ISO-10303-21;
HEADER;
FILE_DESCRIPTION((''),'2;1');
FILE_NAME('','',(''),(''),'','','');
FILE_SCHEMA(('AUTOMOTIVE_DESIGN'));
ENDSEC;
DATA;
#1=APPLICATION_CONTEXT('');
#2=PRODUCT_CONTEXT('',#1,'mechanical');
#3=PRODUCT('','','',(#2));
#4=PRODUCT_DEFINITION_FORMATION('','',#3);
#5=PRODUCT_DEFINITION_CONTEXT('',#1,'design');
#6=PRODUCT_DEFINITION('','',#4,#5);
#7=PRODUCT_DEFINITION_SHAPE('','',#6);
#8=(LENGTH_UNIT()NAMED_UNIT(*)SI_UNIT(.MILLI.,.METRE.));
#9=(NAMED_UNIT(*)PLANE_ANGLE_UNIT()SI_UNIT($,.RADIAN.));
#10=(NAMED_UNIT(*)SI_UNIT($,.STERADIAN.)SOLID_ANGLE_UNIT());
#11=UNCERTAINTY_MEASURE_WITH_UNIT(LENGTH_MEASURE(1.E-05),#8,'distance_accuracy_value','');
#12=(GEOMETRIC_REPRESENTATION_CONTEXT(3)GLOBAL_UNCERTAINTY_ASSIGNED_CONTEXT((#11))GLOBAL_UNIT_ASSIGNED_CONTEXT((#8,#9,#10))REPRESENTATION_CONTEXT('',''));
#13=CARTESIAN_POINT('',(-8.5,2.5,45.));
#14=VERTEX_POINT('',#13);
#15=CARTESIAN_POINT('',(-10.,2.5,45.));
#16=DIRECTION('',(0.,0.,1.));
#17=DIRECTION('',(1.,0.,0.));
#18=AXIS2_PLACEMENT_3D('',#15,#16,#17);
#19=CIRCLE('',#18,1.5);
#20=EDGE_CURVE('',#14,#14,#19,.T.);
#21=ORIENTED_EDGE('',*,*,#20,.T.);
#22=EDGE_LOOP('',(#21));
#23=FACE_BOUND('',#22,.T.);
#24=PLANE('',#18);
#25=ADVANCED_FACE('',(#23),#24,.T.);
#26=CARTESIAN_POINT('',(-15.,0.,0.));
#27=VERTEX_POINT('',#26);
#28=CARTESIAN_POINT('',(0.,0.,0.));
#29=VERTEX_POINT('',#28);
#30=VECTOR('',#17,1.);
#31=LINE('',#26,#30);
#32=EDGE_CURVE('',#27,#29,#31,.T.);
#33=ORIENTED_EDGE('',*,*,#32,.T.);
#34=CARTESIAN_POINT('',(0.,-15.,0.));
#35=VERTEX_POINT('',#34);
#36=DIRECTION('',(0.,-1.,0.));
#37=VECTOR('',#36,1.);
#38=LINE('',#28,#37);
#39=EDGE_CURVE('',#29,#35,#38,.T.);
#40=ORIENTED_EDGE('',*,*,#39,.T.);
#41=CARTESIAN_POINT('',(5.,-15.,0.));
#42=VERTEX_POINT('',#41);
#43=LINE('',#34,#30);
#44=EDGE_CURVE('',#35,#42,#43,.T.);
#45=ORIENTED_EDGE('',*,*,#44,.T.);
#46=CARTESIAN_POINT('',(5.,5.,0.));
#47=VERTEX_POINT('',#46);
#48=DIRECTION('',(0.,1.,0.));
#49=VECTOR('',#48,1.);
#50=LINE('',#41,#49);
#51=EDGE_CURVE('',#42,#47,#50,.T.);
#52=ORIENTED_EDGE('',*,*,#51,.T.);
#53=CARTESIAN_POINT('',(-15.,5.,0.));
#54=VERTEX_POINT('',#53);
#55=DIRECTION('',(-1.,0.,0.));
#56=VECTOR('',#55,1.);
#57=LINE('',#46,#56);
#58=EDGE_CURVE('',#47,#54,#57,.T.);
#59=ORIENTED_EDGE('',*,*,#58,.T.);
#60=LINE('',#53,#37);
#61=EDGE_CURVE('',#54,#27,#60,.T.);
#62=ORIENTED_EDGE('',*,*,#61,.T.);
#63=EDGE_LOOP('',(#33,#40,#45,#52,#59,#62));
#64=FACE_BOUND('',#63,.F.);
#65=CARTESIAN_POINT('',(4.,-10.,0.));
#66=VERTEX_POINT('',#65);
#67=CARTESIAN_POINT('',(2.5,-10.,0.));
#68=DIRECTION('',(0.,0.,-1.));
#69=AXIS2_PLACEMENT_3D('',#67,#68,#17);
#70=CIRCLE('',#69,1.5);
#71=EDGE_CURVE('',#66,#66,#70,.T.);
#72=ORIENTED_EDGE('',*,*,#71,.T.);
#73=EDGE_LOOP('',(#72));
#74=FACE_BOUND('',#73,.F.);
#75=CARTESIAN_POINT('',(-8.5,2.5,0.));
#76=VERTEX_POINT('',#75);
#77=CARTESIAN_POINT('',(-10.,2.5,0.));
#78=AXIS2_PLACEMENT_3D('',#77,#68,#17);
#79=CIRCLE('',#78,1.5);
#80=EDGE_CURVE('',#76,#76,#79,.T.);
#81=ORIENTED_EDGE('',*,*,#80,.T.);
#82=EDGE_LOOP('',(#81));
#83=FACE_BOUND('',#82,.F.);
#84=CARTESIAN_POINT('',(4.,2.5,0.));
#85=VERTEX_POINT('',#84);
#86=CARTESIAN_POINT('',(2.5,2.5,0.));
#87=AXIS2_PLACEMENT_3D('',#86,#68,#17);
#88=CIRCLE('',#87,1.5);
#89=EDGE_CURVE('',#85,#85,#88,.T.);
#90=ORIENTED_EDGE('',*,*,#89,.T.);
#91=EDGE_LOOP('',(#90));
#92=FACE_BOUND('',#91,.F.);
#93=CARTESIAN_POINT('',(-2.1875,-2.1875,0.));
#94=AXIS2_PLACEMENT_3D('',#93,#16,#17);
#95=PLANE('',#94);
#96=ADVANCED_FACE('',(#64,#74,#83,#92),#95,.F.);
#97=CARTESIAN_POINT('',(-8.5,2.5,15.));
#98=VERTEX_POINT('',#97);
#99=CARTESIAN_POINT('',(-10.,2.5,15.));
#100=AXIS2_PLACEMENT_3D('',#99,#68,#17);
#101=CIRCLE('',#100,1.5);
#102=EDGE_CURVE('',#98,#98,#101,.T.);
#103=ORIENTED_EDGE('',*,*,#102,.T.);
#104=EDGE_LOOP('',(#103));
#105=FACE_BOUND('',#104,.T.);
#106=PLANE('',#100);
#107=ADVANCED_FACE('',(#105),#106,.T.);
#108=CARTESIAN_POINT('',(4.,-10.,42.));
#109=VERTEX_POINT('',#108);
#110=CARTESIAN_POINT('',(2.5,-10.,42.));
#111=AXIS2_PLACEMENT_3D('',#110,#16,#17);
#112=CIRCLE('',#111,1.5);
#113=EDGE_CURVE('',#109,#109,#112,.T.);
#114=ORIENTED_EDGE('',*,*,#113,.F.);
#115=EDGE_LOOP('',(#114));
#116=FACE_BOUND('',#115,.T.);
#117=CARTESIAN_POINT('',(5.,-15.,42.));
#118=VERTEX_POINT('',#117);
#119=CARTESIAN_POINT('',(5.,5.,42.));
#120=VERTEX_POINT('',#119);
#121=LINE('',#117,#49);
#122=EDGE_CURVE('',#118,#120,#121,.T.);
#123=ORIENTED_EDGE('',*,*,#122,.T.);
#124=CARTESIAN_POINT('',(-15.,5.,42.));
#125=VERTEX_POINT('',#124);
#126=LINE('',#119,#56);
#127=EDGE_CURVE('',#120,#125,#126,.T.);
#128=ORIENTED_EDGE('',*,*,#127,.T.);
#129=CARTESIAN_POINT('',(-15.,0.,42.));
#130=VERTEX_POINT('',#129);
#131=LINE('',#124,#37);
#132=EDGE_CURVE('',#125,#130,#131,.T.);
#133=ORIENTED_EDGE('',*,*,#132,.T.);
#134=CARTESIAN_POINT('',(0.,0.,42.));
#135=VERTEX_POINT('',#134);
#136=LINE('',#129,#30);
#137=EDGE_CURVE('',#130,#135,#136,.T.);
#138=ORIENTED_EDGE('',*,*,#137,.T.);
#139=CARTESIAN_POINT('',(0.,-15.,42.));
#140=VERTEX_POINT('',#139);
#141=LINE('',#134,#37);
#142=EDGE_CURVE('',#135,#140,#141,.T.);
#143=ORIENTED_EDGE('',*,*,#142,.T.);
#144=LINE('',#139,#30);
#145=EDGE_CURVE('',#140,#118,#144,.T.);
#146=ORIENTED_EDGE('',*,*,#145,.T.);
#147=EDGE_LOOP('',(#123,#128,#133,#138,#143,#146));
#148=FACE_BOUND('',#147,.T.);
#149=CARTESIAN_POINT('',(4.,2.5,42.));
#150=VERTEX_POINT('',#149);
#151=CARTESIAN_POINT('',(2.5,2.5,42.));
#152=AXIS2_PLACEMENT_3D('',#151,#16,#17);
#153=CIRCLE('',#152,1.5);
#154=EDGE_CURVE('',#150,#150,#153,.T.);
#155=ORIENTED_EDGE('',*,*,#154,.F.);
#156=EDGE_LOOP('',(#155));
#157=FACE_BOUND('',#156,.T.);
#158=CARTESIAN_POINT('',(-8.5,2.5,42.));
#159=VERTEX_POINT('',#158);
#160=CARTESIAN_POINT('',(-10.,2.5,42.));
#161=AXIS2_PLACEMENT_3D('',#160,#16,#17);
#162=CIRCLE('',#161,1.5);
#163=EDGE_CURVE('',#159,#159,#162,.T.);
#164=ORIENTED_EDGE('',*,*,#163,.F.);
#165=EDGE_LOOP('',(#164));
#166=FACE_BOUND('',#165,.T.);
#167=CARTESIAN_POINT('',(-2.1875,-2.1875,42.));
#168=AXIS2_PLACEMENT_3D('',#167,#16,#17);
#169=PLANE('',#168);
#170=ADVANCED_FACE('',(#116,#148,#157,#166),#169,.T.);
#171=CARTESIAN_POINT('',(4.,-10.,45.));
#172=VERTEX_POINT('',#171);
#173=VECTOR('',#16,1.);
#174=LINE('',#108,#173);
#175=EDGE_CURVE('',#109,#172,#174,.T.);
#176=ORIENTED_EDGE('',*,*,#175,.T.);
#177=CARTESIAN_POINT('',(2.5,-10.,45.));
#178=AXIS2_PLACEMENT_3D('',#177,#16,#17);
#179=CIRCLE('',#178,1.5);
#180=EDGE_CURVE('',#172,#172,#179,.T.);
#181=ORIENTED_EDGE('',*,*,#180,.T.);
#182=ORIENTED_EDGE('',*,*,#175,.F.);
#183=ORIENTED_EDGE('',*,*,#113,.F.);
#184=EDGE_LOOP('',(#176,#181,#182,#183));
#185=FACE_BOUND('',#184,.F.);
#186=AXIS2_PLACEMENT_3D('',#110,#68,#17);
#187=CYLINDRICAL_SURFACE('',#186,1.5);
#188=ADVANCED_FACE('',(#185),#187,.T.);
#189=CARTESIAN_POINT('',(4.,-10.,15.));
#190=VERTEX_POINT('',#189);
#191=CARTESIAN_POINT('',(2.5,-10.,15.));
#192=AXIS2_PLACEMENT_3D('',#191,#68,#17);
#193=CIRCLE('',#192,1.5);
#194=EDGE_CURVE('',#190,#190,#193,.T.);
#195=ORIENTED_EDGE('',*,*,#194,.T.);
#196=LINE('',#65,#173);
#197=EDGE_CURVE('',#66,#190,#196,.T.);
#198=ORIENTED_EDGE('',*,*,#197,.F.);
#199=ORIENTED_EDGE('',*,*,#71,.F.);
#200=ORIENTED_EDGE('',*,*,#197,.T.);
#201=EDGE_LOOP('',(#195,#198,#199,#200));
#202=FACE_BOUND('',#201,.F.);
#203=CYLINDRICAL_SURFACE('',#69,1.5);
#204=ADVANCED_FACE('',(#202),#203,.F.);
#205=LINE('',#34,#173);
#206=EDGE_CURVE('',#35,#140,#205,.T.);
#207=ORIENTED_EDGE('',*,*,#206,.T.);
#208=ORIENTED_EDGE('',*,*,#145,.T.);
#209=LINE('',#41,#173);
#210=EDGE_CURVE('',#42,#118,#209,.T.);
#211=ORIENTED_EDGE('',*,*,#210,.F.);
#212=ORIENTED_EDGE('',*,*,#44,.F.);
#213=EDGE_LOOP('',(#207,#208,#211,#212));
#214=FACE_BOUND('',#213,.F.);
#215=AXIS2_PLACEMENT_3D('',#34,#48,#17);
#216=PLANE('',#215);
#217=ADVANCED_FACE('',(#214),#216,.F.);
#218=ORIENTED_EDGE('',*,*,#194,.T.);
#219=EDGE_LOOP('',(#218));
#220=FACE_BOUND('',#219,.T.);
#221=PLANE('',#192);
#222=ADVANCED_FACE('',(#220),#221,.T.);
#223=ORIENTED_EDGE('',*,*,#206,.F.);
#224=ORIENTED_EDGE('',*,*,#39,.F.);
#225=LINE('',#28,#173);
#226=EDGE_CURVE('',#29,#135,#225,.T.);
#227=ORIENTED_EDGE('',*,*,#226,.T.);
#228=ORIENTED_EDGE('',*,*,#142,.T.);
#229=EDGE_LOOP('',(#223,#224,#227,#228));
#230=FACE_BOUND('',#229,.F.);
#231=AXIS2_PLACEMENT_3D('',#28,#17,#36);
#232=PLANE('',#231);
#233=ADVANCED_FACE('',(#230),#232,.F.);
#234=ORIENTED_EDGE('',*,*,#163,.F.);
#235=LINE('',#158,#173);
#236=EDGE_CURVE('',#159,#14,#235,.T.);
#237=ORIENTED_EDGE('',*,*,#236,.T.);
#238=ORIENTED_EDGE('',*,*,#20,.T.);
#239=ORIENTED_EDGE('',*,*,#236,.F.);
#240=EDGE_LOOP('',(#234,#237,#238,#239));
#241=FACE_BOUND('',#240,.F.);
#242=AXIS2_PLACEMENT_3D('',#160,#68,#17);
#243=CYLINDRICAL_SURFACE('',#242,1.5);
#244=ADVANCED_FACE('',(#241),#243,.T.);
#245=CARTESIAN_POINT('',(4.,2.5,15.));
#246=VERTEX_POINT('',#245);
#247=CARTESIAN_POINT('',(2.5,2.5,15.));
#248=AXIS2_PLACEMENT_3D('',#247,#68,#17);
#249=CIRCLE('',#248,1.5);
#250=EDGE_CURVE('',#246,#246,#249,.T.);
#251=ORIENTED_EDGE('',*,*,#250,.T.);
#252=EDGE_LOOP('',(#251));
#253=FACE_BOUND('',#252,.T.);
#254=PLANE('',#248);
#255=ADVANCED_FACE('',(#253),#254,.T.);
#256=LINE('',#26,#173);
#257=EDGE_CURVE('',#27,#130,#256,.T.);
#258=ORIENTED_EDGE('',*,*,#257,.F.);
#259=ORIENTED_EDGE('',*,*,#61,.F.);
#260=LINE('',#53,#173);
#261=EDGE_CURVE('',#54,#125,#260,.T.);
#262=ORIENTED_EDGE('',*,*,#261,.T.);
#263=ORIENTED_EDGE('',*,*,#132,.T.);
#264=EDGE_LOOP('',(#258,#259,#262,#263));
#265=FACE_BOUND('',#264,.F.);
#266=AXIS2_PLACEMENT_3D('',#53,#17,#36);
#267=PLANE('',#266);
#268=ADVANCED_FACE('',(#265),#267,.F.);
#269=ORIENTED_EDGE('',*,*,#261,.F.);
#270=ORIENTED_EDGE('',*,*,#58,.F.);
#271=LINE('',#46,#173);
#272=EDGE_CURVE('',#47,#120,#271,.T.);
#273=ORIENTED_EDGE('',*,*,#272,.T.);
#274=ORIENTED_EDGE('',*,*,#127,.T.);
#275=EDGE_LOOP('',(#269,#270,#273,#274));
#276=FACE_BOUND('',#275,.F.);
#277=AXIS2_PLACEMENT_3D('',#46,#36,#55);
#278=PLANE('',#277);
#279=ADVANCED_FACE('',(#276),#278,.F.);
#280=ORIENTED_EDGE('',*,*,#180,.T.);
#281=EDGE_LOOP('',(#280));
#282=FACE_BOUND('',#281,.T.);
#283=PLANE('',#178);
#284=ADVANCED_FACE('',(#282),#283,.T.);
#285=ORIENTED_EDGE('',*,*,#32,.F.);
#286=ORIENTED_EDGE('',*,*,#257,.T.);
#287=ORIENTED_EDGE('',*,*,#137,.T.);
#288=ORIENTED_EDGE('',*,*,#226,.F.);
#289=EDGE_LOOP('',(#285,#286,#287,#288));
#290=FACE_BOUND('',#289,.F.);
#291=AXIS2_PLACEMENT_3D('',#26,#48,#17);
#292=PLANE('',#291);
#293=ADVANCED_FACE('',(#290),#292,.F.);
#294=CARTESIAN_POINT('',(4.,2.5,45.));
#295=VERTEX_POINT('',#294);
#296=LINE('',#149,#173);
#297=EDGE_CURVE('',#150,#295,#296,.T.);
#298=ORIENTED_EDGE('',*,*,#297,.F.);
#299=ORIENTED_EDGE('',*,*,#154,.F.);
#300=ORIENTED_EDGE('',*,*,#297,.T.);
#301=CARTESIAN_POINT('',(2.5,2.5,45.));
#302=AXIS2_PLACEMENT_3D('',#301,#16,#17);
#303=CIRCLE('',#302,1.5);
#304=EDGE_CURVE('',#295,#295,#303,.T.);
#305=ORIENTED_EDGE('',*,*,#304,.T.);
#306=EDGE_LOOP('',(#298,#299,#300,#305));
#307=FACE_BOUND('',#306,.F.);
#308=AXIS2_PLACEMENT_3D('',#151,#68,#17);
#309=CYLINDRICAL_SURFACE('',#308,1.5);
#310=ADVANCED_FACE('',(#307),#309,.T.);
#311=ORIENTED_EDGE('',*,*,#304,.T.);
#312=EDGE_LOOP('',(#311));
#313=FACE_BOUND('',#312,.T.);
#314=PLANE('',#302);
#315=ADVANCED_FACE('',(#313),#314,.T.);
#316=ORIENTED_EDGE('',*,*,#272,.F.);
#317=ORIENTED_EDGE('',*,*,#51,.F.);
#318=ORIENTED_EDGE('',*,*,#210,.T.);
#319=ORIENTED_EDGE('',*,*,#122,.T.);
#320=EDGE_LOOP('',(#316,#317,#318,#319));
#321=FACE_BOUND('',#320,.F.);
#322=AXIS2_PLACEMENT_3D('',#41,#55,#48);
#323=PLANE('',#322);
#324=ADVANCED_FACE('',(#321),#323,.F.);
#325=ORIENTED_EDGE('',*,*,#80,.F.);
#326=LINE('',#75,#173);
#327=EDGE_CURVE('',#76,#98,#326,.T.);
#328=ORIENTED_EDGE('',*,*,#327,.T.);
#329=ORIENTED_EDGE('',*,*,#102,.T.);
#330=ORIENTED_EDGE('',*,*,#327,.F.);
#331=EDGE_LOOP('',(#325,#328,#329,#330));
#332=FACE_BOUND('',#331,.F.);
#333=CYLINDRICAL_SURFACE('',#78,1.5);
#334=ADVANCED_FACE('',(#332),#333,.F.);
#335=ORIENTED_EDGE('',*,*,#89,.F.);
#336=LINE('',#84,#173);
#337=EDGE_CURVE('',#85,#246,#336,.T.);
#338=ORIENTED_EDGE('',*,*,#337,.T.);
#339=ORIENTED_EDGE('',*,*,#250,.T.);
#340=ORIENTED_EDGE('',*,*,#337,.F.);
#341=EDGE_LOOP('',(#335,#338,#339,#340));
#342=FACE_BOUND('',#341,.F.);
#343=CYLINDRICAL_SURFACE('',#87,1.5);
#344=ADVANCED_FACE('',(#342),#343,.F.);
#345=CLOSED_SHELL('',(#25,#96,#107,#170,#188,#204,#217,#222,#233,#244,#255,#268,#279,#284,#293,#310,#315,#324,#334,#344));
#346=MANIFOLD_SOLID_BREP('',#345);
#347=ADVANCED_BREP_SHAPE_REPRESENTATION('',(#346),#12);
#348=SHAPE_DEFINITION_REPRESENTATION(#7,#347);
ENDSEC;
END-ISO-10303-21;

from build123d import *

# Parameters (mm, degrees)
PAD_DEPTH    = 42
SKETCH001_R  = 1.5
PAD001_DEPTH = 3
SKETCH002_R  = 1.5
POCKET_DEPTH = 15


with BuildPart() as part:
    # Sketch → Pad (new body)
    with BuildSketch(Plane.XY):
        Polygon((0, 0), (0, -15), (5, -15), (5, 5), (-15, 5), (-15, 0), align=None)
    extrude(amount=PAD_DEPTH)

    # Sketch001 (on Face8 of Pad) → Pad001 (join)
    with BuildSketch(Plane.XY.offset(42)):
        with Locations((-10, 2.5)):
            Circle(SKETCH001_R)
        with Locations((2.5, 2.5)):
            Circle(SKETCH001_R)
        with Locations((2.5, -10)):
            Circle(SKETCH001_R)
    extrude(amount=PAD001_DEPTH)

    # Sketch002 (on Face4 of Pad001) → Pocket (cut)
    with BuildSketch(Plane(origin=(0, 0, 0), x_dir=(1, 0, 0), z_dir=(0, 0, -1))):
        with Locations((2.5, -2.5)):
            Circle(SKETCH002_R)
        with Locations((2.5, 10)):
            Circle(SKETCH002_R)
        with Locations((-10, -2.5)):
            Circle(SKETCH002_R)
    extrude(amount=-POCKET_DEPTH, mode=Mode.SUBTRACT)


solid = part.part
